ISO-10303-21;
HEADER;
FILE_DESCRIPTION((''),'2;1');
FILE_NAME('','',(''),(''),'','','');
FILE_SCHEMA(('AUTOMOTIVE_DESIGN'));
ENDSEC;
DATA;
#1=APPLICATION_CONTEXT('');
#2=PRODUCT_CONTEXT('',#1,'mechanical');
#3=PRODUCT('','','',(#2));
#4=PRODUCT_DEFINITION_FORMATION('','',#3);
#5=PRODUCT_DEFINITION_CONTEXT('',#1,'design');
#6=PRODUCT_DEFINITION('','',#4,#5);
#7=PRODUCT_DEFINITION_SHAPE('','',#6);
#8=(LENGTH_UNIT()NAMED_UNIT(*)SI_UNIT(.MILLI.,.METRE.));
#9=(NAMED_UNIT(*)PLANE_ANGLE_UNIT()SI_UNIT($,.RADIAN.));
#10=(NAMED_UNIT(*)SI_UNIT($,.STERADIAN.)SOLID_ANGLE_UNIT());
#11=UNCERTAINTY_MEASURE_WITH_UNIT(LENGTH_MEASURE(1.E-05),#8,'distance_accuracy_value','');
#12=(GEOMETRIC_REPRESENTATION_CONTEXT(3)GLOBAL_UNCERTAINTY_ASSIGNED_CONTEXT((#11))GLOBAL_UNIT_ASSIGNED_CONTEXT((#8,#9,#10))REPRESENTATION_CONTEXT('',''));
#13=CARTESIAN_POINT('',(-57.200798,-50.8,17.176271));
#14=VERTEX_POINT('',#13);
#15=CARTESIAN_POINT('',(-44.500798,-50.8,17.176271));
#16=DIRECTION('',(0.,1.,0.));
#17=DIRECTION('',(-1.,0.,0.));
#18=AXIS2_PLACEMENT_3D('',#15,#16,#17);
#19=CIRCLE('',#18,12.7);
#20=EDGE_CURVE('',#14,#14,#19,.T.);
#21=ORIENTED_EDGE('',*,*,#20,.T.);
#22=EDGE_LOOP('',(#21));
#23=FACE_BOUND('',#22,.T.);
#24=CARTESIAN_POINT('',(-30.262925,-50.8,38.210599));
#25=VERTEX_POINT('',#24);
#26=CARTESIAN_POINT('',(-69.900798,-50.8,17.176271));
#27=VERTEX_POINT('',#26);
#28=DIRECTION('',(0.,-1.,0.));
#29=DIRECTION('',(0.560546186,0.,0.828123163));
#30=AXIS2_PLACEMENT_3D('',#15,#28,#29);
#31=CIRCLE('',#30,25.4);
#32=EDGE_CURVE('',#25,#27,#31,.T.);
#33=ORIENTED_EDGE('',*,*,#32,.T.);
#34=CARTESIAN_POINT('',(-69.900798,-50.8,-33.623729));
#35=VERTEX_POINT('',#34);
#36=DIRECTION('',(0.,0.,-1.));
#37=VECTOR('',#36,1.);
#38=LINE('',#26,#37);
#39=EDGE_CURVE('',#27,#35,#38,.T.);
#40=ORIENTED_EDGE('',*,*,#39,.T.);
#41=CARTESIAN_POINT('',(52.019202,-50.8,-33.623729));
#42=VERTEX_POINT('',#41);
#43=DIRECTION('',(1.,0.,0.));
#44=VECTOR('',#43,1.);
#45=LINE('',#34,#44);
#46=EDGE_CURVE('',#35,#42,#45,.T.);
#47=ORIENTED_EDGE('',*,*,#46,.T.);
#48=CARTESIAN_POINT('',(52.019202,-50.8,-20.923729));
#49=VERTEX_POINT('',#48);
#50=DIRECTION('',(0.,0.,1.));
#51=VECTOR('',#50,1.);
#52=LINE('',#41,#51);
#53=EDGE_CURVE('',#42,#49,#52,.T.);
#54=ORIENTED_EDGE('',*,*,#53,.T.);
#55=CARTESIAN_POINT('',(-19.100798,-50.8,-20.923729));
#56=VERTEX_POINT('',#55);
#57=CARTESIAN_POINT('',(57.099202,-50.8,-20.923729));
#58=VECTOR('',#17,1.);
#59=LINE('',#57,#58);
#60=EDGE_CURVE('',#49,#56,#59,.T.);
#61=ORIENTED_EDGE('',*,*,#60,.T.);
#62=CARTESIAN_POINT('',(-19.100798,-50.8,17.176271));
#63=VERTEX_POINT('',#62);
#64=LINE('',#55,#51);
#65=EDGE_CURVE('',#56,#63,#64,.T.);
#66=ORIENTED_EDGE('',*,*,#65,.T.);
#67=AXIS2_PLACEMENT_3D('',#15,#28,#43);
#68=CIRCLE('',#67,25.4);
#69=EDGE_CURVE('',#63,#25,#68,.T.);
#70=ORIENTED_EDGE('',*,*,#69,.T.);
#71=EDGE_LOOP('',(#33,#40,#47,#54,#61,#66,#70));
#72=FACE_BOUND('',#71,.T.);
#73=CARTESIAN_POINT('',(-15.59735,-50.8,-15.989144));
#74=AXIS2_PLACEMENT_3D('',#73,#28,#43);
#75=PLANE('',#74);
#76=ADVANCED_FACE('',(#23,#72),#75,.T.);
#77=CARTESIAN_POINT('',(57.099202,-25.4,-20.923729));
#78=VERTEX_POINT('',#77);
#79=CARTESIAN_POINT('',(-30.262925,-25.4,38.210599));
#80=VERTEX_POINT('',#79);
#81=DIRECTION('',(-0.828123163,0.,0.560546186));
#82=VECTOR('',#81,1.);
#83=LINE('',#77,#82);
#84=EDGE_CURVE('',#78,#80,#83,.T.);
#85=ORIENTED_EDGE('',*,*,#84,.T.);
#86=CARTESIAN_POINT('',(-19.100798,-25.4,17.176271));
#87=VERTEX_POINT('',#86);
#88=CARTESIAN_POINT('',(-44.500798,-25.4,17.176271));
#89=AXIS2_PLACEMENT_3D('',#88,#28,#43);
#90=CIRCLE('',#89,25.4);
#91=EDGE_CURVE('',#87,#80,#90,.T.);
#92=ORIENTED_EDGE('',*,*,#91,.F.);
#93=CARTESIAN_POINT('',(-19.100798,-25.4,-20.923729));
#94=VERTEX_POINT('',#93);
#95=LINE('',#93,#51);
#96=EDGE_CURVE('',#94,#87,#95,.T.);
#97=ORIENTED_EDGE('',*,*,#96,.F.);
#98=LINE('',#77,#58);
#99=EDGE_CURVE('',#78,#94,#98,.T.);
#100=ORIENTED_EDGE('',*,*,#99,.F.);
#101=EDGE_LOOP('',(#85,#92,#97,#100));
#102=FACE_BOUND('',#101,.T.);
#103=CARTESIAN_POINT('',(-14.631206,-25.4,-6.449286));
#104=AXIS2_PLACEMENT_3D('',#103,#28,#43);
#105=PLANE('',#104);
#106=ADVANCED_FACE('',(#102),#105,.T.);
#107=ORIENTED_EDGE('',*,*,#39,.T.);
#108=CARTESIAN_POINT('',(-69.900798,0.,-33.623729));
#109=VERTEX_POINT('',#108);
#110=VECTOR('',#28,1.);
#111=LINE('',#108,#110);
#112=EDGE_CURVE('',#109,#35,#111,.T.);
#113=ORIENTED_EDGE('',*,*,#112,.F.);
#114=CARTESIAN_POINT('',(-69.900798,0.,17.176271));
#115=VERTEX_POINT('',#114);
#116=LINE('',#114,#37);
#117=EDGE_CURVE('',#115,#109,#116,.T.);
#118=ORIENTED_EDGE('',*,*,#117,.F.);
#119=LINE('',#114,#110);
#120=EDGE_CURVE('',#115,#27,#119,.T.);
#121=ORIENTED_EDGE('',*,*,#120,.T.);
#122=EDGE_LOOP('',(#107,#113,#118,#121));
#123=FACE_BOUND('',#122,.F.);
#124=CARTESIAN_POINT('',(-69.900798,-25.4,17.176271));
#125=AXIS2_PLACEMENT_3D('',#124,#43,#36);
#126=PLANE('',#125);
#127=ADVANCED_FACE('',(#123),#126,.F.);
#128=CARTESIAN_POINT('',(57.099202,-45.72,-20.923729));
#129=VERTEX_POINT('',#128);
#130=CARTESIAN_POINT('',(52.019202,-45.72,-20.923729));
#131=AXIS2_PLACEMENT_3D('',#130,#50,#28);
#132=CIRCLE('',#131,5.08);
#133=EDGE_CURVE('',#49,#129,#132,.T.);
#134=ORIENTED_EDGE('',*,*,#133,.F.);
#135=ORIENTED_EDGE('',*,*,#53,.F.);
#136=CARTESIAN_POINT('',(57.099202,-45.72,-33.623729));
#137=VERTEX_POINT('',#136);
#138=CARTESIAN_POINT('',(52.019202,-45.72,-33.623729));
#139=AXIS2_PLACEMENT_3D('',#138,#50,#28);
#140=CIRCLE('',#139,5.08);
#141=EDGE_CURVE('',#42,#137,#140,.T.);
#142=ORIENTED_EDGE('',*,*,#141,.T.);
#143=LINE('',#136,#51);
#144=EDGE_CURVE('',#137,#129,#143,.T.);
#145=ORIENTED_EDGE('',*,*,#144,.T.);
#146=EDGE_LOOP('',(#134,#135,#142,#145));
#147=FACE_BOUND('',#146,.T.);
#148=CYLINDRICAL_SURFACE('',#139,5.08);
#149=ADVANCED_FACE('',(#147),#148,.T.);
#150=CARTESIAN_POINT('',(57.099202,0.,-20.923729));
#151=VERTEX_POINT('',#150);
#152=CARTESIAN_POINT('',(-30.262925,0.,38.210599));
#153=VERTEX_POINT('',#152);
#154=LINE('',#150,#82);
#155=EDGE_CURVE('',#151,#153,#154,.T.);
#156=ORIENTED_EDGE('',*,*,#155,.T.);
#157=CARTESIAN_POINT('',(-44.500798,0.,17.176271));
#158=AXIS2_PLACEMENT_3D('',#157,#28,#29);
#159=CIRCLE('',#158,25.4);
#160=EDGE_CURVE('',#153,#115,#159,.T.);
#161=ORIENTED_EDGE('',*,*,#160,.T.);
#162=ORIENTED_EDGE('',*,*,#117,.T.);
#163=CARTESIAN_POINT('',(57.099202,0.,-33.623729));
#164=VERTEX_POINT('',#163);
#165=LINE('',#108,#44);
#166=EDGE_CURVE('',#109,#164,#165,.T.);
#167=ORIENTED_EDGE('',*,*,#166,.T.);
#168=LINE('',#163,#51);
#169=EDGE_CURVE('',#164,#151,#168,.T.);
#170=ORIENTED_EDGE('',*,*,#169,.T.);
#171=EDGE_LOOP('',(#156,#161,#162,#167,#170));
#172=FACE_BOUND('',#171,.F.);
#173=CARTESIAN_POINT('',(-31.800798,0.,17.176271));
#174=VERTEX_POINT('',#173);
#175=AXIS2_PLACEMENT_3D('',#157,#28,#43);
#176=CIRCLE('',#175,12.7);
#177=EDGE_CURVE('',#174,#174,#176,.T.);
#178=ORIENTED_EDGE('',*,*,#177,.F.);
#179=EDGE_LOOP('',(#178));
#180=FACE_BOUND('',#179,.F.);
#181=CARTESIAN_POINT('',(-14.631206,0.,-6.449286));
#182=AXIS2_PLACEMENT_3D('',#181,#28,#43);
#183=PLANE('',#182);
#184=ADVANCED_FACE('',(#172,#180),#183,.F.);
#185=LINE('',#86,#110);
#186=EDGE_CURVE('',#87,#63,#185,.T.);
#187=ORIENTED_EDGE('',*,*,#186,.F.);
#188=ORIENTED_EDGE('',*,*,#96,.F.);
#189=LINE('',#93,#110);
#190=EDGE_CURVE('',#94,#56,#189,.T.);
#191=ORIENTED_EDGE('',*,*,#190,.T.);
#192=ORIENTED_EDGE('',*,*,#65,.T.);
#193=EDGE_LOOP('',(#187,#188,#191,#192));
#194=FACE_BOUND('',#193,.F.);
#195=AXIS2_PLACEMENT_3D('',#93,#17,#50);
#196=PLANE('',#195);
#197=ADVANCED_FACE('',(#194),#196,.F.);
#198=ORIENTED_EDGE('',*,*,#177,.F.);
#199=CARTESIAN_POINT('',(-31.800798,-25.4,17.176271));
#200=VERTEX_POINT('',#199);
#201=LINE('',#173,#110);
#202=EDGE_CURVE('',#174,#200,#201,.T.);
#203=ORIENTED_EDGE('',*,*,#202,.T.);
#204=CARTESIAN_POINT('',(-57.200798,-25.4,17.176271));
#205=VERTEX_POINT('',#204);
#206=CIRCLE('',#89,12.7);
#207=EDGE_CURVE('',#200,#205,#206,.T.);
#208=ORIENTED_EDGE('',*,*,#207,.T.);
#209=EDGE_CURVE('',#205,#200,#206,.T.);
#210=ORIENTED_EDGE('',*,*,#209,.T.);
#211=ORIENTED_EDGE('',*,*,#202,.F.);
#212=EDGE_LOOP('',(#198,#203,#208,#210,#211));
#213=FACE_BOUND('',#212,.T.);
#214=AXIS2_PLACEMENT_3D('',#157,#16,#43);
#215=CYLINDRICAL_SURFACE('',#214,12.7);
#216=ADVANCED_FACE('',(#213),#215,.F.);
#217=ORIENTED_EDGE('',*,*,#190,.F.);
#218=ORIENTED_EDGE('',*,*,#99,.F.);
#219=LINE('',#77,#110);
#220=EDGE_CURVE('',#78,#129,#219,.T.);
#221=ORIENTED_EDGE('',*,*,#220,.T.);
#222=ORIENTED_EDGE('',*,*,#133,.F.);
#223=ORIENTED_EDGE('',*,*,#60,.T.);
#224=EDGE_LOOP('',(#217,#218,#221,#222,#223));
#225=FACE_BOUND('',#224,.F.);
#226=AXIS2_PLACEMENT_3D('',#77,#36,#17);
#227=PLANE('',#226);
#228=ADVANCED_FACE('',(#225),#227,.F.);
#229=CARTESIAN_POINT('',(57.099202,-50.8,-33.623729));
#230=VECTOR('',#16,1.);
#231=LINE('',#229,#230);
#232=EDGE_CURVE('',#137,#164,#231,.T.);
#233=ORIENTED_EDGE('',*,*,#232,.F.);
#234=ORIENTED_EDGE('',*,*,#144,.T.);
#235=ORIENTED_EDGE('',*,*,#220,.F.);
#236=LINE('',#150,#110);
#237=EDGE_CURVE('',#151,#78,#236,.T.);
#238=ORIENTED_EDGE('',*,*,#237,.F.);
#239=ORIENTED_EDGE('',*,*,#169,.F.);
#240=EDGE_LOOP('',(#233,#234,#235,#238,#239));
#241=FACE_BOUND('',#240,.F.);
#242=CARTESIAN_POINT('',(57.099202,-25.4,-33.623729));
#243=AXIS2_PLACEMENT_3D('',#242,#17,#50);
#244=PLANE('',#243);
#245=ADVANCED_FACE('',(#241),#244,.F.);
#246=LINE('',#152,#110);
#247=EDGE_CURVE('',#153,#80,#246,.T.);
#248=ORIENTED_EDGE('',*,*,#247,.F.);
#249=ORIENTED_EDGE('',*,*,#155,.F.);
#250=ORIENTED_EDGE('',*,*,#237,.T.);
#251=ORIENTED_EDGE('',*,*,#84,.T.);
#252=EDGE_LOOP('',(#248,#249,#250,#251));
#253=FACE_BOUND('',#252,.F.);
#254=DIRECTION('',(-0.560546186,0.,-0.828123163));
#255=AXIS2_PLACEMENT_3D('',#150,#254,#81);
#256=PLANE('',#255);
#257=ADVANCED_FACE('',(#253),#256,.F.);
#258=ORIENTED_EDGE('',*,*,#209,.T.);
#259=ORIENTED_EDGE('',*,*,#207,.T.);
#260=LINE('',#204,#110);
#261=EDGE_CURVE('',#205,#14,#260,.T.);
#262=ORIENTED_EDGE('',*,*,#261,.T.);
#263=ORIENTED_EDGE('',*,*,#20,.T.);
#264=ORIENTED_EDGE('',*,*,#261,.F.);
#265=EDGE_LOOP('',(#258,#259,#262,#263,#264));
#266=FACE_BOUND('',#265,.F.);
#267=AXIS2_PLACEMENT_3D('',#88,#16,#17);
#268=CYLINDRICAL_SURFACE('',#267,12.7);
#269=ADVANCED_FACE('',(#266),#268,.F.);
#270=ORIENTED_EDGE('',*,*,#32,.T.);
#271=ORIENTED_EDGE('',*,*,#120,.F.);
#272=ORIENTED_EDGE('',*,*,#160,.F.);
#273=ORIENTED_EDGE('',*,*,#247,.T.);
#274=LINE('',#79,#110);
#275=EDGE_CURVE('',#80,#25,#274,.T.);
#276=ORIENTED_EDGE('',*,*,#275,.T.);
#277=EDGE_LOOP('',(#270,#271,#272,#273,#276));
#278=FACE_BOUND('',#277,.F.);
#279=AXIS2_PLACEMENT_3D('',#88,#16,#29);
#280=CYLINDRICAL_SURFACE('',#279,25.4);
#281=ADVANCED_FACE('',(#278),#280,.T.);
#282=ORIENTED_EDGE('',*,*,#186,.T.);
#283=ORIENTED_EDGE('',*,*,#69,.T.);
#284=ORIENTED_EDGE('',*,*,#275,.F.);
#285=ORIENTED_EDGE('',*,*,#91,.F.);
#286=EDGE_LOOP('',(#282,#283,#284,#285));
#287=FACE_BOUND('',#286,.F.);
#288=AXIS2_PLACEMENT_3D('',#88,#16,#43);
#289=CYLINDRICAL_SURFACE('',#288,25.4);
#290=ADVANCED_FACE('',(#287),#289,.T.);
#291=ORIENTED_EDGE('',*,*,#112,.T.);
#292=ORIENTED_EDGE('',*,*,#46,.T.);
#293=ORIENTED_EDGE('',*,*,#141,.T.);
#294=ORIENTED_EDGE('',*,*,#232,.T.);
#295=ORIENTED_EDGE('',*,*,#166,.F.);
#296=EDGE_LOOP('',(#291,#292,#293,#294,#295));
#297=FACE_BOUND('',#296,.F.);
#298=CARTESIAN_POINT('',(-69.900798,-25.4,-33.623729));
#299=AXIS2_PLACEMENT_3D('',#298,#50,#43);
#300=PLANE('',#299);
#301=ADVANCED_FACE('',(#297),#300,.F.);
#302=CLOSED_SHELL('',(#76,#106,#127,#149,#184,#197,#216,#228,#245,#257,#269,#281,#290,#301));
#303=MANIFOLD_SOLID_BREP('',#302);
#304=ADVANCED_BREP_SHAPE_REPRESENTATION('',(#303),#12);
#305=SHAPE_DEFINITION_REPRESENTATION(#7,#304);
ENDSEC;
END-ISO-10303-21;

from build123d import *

# Parameters (mm, degrees)
F0_R     = 12.7
F1_DEPTH = 25.4
F3_DEPTH = 25.4
F4_R     = 5.08


with BuildPart() as f1:
    # F0 (on Front) → F1 (new body)
    with BuildSketch(Plane.XZ):
        with BuildLine():
            Line((57.099202013, -20.9237289011), (-30.2629248588, 38.2105994406))
            ThreePointArc((-30.2629248588, 38.2105994406), (-56.4070573186, 39.6128704117), (-69.900797987, 17.1762710989))
            Line((-69.900797987, 17.1762710989), (-69.900797987, -33.6237289011))
            Line((-69.900797987, -33.6237289011), (57.099202013, -33.6237289011))
            Line((57.099202013, -33.6237289011), (57.099202013, -20.9237289011))
        make_face()
        with Locations((-44.500797987, 17.1762710989)):
            Circle(F0_R, mode=Mode.SUBTRACT)
    extrude(amount=F1_DEPTH)

    # F2 (on face) → F3 (join)
    with BuildSketch(Plane.XZ.offset(25.4)):
        with BuildLine():
            Line((-19.100797987, -20.9237289011), (-19.100797987, 17.1762710989))
            Line((-19.100797987, 17.1762710989), (-31.800797987, 17.1762710989))
            ThreePointArc((-31.800797987, 17.1762710989), (-44.500797987, 4.4762710989), (-57.200797987, 17.1762710989))
            Line((-57.200797987, 17.1762710989), (-69.900797987, 17.1762710989))
            Line((-69.900797987, 17.1762710989), (-69.900797987, -20.9237289011))
            Line((-69.900797987, -20.9237289011), (-69.900797987, -33.6237289011))
            Line((-69.900797987, -33.6237289011), (57.099202013, -33.6237289011))
            Line((57.099202013, -33.6237289011), (57.099202013, -20.9237289011))
            Line((57.099202013, -20.9237289011), (-19.100797987, -20.9237289011))
        make_face()
        with BuildLine():
            Line((-31.800797987, 17.1762710989), (-19.100797987, 17.1762710989))
            ThreePointArc((-19.100797987, 17.1762710989), (-22.0641986741, 29.0825304305), (-30.2629248588, 38.2105994406))
            ThreePointArc((-30.2629248588, 38.2105994406), (-56.4070573186, 39.6128704117), (-69.900797987, 17.1762710989))
            Line((-69.900797987, 17.1762710989), (-57.200797987, 17.1762710989))
            ThreePointArc((-57.200797987, 17.1762710989), (-44.500797987, 29.8762710989), (-31.800797987, 17.1762710989))
        make_face()
    extrude(amount=F3_DEPTH)

    # F4
    f4_edges = [f1.edges().sort_by_distance(p)[0] for p in [
        (57.099202, -50.8, -27.273729),
    ]]
    fillet(f4_edges, radius=F4_R)


solid = f1.part
